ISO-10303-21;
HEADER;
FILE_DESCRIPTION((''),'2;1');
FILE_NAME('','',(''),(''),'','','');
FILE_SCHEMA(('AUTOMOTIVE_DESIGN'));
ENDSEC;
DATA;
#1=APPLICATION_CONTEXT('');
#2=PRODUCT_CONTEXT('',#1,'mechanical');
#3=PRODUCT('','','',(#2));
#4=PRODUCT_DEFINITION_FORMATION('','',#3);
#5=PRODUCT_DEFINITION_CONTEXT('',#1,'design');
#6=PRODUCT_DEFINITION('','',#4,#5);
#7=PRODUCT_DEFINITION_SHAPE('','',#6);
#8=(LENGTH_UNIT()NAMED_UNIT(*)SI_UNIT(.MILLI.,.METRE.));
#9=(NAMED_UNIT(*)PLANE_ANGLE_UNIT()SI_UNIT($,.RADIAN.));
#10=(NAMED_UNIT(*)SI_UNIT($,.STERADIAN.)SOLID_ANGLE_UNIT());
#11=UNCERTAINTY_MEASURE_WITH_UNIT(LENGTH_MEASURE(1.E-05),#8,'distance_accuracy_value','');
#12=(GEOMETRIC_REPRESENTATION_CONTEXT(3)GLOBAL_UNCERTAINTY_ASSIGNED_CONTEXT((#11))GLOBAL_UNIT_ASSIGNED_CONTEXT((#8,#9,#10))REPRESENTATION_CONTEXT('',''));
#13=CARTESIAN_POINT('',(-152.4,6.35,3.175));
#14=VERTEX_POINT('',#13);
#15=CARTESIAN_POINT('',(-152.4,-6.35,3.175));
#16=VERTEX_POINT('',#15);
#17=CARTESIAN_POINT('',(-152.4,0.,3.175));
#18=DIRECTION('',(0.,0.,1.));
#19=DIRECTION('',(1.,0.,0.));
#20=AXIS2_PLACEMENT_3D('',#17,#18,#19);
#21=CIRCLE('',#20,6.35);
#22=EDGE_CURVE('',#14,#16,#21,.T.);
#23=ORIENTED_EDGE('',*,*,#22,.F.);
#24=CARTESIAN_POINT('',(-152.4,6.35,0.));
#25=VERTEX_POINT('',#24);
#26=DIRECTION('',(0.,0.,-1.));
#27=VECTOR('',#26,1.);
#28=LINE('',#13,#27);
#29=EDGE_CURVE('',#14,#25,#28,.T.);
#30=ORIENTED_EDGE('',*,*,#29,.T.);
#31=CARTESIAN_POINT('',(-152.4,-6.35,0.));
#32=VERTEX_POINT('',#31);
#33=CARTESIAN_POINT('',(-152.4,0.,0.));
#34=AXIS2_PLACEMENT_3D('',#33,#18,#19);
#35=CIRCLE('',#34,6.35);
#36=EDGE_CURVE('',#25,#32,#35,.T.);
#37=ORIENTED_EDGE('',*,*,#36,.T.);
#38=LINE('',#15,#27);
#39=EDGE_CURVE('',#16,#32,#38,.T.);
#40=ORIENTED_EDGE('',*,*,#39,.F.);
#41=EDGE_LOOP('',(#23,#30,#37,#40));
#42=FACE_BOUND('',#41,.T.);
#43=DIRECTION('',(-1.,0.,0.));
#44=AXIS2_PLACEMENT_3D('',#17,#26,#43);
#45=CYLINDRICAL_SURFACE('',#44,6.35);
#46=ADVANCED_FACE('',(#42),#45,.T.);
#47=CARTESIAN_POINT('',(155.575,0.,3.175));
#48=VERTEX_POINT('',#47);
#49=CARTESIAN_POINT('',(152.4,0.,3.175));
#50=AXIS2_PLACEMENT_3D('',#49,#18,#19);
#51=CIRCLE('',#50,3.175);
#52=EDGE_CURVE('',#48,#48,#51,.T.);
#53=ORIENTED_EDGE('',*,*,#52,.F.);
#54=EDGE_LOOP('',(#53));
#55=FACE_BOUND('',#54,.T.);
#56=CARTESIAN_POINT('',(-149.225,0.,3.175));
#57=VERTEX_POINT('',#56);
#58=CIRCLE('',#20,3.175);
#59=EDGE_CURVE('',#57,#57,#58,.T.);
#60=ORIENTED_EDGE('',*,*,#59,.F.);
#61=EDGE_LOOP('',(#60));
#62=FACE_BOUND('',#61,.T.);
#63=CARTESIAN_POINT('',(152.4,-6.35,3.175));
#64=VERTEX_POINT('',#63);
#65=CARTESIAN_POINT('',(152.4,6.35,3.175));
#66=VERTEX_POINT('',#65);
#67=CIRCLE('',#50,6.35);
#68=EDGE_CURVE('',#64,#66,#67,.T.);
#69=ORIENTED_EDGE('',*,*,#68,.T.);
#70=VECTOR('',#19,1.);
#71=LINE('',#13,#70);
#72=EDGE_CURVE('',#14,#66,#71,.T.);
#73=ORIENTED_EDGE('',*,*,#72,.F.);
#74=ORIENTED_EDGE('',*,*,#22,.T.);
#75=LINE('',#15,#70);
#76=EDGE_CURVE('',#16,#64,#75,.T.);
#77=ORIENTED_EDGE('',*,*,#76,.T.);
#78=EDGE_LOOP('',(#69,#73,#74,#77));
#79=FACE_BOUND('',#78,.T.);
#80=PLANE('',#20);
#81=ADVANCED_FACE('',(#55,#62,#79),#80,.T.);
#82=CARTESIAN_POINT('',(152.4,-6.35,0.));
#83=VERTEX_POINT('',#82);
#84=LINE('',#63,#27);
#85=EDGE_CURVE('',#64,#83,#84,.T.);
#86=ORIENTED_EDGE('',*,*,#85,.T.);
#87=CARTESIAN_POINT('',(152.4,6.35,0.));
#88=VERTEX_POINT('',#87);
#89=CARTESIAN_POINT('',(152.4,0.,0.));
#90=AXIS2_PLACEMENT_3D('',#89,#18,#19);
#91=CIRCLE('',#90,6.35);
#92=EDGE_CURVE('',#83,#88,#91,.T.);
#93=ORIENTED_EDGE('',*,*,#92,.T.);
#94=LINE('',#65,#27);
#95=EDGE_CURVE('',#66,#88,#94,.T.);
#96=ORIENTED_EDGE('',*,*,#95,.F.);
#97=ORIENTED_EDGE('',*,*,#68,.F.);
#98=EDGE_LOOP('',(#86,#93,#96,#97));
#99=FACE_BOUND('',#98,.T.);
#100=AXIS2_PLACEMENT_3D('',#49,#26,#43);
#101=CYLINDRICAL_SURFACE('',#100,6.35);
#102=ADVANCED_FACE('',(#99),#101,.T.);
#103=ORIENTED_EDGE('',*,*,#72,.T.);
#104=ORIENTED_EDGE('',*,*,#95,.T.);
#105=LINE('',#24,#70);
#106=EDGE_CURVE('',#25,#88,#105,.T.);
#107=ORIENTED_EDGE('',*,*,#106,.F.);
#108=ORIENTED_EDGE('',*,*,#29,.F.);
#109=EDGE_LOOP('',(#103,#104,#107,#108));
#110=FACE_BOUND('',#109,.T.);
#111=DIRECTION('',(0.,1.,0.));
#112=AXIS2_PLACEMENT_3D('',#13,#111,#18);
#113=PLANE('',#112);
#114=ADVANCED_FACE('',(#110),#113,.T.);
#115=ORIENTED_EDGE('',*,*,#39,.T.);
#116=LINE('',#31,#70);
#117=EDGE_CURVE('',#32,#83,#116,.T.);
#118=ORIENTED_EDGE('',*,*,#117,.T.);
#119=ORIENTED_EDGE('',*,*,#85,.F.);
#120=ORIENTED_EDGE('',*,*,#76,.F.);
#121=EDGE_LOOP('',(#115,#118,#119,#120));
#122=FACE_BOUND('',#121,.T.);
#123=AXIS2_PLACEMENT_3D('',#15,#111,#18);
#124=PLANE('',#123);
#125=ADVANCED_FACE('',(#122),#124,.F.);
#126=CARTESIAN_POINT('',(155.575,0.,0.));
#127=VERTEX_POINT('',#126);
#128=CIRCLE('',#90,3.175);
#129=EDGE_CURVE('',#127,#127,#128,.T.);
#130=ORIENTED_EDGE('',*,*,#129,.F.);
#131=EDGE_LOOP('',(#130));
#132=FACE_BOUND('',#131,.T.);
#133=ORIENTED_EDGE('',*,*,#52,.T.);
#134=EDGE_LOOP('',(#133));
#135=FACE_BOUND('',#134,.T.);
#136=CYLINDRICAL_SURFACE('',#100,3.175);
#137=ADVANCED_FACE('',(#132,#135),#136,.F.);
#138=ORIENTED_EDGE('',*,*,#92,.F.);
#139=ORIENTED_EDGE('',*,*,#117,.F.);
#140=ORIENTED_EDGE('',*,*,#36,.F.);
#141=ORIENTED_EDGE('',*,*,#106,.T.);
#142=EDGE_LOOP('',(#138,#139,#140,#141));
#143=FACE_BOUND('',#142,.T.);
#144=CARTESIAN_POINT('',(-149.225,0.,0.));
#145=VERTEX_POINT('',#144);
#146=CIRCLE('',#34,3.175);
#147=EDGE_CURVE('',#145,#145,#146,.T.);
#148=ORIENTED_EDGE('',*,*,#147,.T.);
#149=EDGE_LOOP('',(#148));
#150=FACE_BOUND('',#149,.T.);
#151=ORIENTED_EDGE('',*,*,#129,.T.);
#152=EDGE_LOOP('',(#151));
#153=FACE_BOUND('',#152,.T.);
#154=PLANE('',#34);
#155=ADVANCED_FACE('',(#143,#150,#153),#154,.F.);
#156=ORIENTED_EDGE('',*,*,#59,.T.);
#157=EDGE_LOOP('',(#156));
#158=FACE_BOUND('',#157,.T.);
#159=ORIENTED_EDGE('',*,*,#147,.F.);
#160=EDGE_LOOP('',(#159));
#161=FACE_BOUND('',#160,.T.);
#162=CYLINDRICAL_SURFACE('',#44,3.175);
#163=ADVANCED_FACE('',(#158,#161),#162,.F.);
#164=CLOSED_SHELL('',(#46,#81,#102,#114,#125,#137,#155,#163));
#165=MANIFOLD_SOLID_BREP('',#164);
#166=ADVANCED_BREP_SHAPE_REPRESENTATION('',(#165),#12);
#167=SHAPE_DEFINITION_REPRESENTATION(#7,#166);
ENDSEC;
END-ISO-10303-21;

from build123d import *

# Parameters (mm, degrees)
SKETCH1_R           = 3.175
BOSS_EXTRUDE2_DEPTH = 3.175


with BuildPart() as part:
    # Sketch1 → Boss-Extrude2 (new body)
    with BuildSketch(Plane.XY):
        with BuildLine():
            Line((-152.4, 6.35), (152.4, 6.35))
            ThreePointArc((152.4, 6.35), (158.75, 0), (152.4, -6.35))
            Line((152.4, -6.35), (-152.4, -6.35))
            ThreePointArc((-152.4, -6.35), (-158.75, 0), (-152.4, 6.35))
        make_face()
        with Locations((-152.4, 0)):
            Circle(SKETCH1_R, mode=Mode.SUBTRACT)
        with Locations((152.4, 0)):
            Circle(SKETCH1_R, mode=Mode.SUBTRACT)
    extrude(amount=BOSS_EXTRUDE2_DEPTH)


solid = part.part
